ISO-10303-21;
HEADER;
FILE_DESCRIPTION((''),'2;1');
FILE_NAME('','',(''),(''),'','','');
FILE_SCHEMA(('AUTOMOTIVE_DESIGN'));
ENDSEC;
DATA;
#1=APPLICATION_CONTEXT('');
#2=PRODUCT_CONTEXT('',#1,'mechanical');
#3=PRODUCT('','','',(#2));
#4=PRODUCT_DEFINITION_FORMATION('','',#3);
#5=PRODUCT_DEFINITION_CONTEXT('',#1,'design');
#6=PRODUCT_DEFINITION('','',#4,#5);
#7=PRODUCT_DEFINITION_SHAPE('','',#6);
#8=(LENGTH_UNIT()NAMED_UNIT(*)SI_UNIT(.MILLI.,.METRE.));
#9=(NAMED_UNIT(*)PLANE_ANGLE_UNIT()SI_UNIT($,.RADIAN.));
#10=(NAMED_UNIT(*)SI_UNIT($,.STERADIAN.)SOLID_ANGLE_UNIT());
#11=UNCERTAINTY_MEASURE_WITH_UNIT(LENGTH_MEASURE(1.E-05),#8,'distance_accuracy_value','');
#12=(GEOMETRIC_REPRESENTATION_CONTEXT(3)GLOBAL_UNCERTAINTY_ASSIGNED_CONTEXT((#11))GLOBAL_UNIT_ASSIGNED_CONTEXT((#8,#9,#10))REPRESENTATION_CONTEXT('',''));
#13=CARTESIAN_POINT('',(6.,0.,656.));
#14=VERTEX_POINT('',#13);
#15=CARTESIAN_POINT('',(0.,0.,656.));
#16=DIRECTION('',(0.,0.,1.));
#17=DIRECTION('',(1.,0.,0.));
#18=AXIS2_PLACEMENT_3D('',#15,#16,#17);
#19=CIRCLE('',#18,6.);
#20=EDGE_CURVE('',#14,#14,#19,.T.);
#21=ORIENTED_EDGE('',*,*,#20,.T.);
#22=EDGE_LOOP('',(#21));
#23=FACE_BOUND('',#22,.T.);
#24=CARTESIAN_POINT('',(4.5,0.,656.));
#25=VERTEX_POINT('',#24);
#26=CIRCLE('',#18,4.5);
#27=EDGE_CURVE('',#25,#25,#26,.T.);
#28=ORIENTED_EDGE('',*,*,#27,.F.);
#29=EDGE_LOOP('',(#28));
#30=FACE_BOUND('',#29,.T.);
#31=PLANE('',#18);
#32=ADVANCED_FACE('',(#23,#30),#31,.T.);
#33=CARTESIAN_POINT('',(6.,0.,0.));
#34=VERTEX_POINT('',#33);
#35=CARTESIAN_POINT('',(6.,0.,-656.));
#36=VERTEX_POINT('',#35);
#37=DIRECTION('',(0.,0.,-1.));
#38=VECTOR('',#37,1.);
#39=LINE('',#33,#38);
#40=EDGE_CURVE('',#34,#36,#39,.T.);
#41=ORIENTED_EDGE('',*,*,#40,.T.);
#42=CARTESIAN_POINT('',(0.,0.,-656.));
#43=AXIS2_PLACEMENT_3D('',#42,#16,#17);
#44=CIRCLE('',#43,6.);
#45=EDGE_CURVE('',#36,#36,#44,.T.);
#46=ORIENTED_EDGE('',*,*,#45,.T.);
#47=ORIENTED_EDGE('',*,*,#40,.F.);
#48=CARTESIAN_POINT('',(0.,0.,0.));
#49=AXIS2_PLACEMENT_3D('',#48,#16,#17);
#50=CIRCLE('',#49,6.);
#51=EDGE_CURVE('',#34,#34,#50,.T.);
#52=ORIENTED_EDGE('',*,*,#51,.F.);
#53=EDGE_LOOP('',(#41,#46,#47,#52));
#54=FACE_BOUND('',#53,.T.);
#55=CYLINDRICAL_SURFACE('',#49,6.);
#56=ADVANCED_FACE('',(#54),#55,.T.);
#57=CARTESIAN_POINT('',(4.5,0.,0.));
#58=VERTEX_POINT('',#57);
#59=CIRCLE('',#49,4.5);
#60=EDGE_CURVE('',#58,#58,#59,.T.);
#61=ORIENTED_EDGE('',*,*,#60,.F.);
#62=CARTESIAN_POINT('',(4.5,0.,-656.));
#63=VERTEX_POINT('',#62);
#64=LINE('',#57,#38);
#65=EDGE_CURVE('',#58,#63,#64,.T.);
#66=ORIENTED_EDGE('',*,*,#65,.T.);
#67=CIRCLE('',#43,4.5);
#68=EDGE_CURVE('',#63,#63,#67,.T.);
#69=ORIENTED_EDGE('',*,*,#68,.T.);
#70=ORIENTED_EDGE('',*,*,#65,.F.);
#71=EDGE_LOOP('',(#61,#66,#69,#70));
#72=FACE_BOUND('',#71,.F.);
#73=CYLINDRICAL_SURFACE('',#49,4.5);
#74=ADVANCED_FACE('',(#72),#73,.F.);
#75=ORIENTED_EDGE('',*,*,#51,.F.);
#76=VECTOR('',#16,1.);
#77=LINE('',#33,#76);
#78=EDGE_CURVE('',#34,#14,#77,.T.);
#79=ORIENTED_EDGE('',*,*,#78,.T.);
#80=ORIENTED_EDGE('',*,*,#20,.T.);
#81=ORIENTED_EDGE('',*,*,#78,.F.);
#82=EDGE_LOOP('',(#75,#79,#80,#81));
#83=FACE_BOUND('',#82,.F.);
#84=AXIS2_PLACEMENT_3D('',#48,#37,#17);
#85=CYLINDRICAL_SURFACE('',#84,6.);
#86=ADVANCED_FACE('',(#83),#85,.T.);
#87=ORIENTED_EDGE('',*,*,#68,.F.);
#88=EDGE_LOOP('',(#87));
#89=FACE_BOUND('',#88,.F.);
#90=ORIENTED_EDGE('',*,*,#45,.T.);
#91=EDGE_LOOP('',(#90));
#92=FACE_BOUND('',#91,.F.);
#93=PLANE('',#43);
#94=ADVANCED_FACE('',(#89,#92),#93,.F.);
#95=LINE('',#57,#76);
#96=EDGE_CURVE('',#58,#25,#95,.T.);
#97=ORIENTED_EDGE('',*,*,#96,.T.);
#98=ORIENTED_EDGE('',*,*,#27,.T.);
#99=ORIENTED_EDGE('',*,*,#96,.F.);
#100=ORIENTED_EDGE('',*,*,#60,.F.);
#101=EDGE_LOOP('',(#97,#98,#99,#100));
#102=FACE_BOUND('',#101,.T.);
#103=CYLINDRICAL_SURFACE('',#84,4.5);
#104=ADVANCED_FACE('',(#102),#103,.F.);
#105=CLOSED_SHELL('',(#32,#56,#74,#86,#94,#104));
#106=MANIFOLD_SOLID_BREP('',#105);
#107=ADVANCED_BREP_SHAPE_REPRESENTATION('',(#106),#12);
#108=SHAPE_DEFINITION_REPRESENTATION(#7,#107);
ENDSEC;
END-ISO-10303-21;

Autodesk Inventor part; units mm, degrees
ref_plane "YZ Plane" through (0, 0, 0) normal (1, 0, 0) x (0, 1, 0)
ref_plane "XZ Plane" through (0, 0, 0) normal (0, 1, 0) x (-1, 0, 0)
ref_plane "XY Plane" through (0, 0, 0) normal (0, 0, 1) x (1, 0, 0)
sketch "スケッチ1" plane through (0, 0, 0) normal (0, 0, 1) x (1, 0, 0)
  circle A0 centre (0, 0) radius 6
  circle A1 centre (0, 0) radius 4.5
  dimension "d0" = 1.5
  dimension "d1" = 12
extrude "押し出し1" add sketch "スケッチ1" along normal mid plane 1312
properties part number "core" material "アルミニウム 6061"
